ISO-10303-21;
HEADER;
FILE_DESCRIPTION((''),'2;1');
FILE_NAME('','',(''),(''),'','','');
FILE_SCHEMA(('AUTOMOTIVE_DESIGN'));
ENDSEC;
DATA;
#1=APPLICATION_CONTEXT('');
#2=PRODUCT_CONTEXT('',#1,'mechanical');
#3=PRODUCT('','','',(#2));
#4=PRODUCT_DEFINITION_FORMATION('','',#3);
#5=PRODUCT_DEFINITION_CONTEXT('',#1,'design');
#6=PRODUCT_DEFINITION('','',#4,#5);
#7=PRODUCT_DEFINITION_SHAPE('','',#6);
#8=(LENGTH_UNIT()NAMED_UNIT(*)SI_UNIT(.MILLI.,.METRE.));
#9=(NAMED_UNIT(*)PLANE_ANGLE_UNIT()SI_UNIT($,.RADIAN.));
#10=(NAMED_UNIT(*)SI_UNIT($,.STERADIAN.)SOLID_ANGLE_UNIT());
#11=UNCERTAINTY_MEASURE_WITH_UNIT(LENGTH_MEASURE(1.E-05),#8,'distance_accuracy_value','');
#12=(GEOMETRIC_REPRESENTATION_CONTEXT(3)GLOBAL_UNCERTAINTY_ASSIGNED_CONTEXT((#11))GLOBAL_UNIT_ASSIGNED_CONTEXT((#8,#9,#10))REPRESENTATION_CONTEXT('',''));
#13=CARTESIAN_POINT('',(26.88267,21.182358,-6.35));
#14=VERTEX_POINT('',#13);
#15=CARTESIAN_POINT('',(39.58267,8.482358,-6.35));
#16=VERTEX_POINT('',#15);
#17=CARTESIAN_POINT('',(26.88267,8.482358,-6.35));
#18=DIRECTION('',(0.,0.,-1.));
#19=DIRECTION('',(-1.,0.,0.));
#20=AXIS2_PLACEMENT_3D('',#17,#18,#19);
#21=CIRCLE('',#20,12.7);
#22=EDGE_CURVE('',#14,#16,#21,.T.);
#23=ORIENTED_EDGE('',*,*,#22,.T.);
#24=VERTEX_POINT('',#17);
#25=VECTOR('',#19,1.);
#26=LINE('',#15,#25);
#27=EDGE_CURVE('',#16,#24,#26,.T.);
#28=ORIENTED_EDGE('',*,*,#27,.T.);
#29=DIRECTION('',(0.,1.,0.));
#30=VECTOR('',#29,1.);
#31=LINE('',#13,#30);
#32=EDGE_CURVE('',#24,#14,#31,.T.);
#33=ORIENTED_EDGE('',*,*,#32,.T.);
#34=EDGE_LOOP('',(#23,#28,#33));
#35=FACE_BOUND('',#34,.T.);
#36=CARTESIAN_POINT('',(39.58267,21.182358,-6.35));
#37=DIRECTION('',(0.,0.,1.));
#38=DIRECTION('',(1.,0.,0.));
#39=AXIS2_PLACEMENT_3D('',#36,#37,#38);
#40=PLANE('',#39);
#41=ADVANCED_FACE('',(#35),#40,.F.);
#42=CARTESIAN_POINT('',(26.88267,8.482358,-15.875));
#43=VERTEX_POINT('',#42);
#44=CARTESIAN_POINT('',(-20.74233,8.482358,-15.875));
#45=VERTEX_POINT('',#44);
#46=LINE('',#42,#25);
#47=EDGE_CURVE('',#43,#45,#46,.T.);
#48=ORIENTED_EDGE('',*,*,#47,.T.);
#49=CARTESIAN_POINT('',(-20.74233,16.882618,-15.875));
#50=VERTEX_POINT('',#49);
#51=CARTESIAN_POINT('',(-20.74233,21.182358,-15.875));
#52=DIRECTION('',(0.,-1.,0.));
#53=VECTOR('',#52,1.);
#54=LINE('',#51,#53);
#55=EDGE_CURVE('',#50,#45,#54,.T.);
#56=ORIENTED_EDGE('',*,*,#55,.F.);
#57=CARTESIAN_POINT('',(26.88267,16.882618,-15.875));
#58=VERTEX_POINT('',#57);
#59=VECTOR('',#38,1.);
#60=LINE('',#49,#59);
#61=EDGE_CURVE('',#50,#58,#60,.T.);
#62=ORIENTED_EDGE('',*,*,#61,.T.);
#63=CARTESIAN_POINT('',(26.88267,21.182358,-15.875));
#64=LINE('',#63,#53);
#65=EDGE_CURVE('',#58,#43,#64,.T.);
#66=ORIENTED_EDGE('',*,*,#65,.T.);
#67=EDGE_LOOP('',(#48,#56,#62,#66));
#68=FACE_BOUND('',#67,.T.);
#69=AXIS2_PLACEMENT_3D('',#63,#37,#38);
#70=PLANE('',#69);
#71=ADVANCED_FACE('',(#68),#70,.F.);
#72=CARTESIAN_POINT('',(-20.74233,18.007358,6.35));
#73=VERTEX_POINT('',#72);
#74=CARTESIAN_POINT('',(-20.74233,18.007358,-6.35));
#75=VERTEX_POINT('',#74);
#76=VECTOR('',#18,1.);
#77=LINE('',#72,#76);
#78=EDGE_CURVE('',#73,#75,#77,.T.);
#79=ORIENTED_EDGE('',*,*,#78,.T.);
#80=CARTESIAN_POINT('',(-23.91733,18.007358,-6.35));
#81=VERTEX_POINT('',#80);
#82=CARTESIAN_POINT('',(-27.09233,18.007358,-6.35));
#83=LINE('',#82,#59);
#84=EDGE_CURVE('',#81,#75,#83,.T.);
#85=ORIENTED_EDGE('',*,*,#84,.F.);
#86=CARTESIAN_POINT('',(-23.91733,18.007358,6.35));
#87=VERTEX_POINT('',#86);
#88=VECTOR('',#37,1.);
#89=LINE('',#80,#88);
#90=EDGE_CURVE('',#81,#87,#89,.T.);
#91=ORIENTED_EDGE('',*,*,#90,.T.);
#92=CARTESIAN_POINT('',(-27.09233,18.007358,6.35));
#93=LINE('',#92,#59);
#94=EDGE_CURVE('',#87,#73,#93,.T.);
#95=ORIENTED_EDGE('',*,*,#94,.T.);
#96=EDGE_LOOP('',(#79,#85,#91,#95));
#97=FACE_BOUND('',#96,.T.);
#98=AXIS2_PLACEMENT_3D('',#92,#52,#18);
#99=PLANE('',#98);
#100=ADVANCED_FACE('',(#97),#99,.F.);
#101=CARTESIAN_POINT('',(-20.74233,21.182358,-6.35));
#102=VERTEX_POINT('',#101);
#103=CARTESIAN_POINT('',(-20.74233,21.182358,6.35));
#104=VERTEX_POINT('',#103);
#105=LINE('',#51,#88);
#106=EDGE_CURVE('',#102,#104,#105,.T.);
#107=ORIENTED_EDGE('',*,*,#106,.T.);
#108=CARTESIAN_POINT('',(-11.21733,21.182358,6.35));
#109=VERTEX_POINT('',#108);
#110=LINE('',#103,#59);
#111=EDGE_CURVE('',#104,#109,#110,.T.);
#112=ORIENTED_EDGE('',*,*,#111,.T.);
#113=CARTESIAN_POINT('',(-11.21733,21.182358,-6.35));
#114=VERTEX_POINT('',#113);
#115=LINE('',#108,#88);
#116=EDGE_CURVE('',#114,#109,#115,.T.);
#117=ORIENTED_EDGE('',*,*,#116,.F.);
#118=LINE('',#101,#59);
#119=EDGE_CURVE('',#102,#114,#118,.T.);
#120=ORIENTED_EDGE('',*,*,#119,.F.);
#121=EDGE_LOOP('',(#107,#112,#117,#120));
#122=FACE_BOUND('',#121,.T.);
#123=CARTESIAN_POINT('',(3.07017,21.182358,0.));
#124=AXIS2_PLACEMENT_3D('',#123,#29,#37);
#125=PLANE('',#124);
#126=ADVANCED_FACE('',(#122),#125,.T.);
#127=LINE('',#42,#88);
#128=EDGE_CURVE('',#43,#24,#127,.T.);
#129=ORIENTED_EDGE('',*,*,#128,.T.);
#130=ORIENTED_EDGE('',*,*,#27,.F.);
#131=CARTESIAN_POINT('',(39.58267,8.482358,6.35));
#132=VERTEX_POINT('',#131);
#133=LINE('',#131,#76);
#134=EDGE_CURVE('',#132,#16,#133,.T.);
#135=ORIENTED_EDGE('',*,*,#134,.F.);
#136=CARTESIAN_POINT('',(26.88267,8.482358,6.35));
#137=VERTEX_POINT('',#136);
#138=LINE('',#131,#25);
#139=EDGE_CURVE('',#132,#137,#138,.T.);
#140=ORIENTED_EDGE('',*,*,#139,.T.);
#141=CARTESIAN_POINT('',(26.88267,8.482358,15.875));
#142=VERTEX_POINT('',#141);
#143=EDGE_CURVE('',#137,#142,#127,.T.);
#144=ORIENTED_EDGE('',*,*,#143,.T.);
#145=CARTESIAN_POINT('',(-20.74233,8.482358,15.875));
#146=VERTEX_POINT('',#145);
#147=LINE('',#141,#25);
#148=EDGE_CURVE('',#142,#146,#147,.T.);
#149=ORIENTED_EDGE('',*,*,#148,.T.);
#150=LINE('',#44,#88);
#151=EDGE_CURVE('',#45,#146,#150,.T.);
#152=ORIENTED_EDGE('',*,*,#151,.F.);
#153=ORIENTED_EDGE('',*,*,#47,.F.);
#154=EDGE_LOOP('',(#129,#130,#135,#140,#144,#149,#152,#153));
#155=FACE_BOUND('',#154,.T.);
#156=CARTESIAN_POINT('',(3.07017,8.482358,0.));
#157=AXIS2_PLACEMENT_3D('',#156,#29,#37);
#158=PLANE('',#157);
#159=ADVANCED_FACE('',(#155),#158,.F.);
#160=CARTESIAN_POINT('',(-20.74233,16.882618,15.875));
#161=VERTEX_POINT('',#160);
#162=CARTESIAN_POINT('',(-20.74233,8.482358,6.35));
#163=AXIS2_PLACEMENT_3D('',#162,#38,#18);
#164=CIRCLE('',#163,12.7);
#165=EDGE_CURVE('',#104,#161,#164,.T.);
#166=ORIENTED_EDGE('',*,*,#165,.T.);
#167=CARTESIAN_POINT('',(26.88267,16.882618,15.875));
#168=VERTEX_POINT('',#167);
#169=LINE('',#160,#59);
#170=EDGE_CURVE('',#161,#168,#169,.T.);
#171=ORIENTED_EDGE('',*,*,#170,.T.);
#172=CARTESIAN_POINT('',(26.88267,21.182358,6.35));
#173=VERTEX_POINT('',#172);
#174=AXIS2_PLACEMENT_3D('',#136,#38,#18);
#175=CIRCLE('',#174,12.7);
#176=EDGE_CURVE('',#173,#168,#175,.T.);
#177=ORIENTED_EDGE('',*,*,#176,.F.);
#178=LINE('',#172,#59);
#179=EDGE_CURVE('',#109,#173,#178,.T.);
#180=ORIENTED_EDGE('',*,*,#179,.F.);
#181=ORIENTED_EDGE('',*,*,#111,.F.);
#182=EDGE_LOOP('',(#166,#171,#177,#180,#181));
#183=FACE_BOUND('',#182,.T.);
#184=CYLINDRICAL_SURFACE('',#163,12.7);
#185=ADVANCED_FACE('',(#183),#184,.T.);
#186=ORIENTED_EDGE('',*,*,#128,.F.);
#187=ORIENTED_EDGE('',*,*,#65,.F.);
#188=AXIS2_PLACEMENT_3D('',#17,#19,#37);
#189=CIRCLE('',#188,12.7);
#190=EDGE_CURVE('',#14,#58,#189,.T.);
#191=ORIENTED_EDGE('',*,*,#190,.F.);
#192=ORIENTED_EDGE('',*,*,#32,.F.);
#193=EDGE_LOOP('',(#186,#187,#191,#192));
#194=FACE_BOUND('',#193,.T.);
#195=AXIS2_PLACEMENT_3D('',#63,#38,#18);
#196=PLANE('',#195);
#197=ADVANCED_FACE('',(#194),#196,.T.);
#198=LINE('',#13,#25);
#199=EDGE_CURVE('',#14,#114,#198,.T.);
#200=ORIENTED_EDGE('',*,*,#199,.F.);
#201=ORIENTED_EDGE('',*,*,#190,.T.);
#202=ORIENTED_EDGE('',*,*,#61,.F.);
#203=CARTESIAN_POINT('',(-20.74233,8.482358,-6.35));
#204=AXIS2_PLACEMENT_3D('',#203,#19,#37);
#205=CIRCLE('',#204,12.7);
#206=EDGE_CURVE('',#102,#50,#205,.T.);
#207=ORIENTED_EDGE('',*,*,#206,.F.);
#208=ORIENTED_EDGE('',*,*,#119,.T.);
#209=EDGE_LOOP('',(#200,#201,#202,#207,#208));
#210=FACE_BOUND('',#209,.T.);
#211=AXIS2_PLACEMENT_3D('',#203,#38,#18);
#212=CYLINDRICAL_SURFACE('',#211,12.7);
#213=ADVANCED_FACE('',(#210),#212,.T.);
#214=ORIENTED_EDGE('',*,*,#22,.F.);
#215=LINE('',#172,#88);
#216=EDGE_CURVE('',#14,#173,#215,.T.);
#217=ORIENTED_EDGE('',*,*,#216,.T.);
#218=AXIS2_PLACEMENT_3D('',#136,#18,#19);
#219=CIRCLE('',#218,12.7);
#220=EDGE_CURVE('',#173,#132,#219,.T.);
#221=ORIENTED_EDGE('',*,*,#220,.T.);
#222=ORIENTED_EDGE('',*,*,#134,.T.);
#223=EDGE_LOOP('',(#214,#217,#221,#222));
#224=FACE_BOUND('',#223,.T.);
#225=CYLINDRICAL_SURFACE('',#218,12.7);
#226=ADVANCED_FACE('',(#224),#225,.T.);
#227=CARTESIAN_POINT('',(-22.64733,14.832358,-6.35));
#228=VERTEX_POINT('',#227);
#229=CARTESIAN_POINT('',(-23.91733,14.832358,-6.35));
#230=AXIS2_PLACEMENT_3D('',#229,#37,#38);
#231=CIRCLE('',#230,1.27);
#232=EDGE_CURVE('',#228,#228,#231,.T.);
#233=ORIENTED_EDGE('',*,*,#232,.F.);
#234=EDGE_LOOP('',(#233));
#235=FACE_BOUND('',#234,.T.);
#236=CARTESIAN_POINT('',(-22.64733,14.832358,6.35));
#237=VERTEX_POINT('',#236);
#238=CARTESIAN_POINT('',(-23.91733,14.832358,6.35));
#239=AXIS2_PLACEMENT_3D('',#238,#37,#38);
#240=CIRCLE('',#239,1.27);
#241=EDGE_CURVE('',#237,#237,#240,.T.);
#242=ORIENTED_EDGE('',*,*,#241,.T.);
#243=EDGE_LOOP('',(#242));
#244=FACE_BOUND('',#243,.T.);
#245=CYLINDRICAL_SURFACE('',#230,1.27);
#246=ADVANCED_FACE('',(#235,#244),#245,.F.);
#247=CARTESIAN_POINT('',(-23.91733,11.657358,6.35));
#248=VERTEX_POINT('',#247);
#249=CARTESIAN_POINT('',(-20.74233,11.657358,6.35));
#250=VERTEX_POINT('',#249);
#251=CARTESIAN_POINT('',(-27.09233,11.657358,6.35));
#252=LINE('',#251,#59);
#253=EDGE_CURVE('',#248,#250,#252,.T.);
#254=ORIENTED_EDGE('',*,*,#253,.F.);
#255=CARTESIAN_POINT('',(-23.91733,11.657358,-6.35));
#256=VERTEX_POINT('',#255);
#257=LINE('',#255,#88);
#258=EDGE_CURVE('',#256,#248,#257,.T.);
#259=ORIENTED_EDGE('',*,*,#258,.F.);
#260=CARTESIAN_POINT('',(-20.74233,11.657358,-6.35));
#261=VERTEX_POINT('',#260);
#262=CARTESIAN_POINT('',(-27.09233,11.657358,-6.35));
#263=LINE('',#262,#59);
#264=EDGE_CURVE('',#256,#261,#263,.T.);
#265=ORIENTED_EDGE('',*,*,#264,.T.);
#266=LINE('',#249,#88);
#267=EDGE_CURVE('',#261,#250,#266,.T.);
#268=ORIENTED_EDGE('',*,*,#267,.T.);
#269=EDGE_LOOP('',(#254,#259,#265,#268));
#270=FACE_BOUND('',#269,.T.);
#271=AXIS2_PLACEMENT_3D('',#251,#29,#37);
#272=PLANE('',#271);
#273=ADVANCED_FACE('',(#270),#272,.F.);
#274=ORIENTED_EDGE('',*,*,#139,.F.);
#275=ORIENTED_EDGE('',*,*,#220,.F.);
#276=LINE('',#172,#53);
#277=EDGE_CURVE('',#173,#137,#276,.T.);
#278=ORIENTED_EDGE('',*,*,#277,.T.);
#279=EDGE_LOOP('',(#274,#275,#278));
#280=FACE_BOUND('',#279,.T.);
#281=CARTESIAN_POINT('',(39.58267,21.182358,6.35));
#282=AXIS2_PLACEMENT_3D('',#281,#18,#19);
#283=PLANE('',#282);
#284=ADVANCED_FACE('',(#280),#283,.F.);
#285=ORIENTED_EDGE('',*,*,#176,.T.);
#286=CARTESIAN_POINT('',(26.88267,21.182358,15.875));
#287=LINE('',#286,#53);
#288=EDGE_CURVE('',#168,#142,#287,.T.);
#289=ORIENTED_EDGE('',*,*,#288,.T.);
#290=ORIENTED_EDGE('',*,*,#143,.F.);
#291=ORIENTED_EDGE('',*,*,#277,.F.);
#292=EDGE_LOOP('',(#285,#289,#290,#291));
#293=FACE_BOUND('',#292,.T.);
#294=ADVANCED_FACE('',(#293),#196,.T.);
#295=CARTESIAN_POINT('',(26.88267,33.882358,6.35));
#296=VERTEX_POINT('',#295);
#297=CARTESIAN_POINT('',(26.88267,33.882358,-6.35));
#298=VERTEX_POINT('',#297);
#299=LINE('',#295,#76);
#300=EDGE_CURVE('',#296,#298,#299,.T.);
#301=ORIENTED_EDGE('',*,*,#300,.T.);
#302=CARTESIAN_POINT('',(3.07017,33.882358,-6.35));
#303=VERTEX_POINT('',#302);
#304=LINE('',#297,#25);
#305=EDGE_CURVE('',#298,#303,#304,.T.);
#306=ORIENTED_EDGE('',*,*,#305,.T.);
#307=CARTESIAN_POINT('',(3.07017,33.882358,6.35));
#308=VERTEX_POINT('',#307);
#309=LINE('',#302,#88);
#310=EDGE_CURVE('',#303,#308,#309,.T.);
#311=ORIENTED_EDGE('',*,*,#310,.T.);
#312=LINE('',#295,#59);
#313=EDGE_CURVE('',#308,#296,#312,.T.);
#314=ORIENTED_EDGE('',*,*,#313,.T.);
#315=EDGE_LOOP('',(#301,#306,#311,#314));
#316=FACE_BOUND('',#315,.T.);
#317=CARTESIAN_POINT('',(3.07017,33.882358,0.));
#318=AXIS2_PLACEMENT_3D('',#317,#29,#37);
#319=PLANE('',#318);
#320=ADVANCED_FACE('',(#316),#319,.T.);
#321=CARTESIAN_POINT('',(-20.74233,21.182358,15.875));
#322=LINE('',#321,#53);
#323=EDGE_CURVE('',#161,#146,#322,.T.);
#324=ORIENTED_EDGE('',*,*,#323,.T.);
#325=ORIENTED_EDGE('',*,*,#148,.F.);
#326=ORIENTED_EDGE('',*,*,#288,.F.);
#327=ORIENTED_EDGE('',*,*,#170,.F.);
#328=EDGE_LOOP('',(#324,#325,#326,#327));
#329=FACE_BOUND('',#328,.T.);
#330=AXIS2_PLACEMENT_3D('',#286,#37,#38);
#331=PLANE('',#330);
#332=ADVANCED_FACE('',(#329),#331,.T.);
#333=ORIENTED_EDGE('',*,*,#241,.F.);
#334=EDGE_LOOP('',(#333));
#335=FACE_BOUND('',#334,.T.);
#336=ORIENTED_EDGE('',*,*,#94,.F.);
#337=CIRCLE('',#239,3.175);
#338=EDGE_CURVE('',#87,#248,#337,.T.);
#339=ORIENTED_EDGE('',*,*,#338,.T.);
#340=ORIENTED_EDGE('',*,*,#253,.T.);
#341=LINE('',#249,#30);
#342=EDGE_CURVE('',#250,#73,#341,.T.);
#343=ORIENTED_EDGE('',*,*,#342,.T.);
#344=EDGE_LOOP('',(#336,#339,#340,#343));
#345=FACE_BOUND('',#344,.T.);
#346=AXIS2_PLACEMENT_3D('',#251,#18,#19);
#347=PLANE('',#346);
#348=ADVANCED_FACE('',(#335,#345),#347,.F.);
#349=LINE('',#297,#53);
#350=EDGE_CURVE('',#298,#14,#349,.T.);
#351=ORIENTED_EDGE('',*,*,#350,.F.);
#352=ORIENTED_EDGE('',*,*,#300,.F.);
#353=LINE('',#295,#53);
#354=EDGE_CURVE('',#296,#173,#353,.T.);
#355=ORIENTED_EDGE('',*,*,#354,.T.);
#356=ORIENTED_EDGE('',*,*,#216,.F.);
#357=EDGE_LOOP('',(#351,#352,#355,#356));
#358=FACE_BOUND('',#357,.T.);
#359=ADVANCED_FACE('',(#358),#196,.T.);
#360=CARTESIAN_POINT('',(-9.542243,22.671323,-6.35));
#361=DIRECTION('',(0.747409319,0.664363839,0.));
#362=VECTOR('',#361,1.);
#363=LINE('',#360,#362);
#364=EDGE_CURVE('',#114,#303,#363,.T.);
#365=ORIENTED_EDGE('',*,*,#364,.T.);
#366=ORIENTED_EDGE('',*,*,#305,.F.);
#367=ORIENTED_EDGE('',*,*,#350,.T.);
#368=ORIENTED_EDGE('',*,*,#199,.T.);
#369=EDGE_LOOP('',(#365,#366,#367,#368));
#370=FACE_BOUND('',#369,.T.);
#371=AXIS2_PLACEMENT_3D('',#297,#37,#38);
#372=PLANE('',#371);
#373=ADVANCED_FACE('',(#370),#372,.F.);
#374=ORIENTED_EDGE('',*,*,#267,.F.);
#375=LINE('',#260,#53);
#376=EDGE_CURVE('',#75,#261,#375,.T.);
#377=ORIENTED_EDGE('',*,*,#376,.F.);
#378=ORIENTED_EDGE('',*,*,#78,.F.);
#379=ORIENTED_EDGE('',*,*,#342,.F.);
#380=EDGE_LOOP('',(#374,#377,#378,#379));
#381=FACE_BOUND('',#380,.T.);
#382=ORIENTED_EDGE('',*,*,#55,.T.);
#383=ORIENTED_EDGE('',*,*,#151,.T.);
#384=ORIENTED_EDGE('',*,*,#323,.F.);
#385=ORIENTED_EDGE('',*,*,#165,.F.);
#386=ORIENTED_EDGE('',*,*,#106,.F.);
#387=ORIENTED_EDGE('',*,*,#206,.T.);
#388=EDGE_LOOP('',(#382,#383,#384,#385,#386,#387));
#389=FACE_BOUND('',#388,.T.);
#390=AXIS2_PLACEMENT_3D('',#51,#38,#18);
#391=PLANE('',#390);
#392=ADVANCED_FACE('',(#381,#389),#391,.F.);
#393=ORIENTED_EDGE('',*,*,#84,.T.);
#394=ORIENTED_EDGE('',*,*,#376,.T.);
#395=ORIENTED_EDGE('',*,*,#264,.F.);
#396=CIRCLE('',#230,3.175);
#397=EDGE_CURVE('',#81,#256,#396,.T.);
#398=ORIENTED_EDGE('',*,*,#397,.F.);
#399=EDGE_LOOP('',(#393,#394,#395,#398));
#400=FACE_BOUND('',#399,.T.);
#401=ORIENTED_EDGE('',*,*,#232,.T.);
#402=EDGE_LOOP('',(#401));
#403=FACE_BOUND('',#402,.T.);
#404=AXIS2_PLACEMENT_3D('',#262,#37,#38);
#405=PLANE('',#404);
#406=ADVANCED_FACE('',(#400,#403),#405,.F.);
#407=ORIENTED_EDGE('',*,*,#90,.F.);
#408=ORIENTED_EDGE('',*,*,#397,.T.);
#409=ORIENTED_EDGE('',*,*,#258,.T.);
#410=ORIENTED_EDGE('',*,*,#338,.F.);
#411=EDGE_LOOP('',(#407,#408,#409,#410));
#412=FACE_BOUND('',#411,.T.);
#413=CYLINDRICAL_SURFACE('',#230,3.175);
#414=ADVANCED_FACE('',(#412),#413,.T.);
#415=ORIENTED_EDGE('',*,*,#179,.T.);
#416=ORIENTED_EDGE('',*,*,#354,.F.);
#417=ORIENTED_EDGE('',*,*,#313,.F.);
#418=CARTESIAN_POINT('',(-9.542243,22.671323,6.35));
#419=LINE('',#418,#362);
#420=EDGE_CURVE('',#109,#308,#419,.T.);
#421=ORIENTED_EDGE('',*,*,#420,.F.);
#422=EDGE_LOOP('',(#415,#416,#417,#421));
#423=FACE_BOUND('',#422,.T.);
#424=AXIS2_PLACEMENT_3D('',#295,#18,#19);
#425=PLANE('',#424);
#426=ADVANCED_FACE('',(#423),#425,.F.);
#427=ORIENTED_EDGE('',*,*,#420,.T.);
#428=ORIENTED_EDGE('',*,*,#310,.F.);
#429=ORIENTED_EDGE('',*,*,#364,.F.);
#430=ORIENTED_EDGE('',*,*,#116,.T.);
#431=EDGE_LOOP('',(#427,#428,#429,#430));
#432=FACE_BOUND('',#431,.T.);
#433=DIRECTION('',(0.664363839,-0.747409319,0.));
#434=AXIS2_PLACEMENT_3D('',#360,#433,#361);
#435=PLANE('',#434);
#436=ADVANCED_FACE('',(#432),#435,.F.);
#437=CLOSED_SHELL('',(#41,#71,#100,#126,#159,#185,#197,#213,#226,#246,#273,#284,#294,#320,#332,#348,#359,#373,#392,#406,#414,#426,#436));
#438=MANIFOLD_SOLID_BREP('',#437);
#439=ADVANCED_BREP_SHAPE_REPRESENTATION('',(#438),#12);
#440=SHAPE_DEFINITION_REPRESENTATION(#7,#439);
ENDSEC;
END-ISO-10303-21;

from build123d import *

# Parameters (mm, degrees)
SKETCH1_W           = 95.25
SKETCH1_H           = 63.5
BOSS_EXTRUDE1_DEPTH = 25.4
SKETCH2_W           = 76.2
SKETCH2_H           = 25.4
BOSS_EXTRUDE2_DEPTH = 25.4
CUT_EXTRUDE1_DEPTH  = 25.4
SKETCH4_W           = 25.4
SKETCH4_H           = 25.4
BOSS_EXTRUDE3_DEPTH = 25.4
CUT_EXTRUDE2_DEPTH  = 25.4
CUT_EXTRUDE3_DEPTH  = 95.25
SKETCH_1648_W       = 25.4
SKETCH_1648_H       = 12.7
BOSS_EXTRUDE4_DEPTH = 12.7
CUT_EXTRUDE4_DEPTH  = 25.4
SKETCH10_R          = 2.54
CUT_EXTRUDE5_DEPTH  = 25.4
SCALE1_SCALE        = 0.5


with BuildPart() as part:
    # Sketch1 → Boss-Extrude1 (new body)
    with BuildSketch(Plane(origin=(0, 0, 0), x_dir=(1, 0, 0), z_dir=(0, 1, 0))):
        Rectangle(SKETCH1_W, SKETCH1_H)
    extrude(amount=BOSS_EXTRUDE1_DEPTH)

    # Sketch2 → Boss-Extrude2 (add)
    with BuildSketch(Plane(origin=(0, 25.4, 0), x_dir=(1, 0, 0), z_dir=(0, 1, 0))):
        with Locations((9.525, 0)):
            Rectangle(SKETCH2_W, SKETCH2_H)
    extrude(amount=BOSS_EXTRUDE2_DEPTH)

    # Sketch3 → Cut-Extrude1 (cut)
    with BuildSketch(Plane.XY.offset(12.7)):
        Polygon((-28.575, 50.8), (-28.575, 25.4), (0, 50.8), align=None)
    extrude(amount=-CUT_EXTRUDE1_DEPTH, mode=Mode.SUBTRACT)

    # Sketch4 → Boss-Extrude3 (add)
    with BuildSketch(Plane(origin=(47.625, 0, 0), x_dir=(0, 0, -1), z_dir=(1, 0, 0))):
        with Locations((0, 12.7)):
            Rectangle(SKETCH4_W, SKETCH4_H)
    extrude(amount=BOSS_EXTRUDE3_DEPTH)

    # Sketch5 → Cut-Extrude2 (cut)
    with BuildSketch(Plane(origin=(0, 0, -12.7), x_dir=(-1, 0, 0), z_dir=(0, 0, -1))):
        with BuildLine():
            ThreePointArc((-47.625, 25.4), (-65.585512242, 17.960512242), (-73.025, 0))
            Line((-73.025, 0), (-73.025, 25.4))
            Line((-73.025, 25.4), (-47.625, 25.4))
        make_face()
    extrude(amount=-CUT_EXTRUDE2_DEPTH, mode=Mode.SUBTRACT)

    # Sketch7 → Cut-Extrude3 (cut)
    with BuildSketch(Plane(origin=(47.625, 0, 0), x_dir=(0, 0, -1), z_dir=(1, 0, 0))):
        with BuildLine():
            Line((-31.75, 16.800520825), (-31.75, 25.4))
            Line((-31.75, 25.4), (-12.7, 25.4))
            ThreePointArc((-12.7, 25.4), (-23.150520825, 23.150520825), (-31.75, 16.800520825))
        make_face()
        with BuildLine():
            Line((12.7, 25.4), (31.75, 25.4))
            Line((31.75, 25.4), (31.75, 16.800520825))
            ThreePointArc((31.75, 16.800520825), (23.150520825, 23.150520825), (12.7, 25.4))
        make_face()
    extrude(amount=-CUT_EXTRUDE3_DEPTH, mode=Mode.SUBTRACT)

    # Sketch 1648 → Boss-Extrude4 (add)
    with BuildSketch(Plane.ZY.offset(47.625)):
        with Locations((0, 12.7)):
            Rectangle(SKETCH_1648_W, SKETCH_1648_H)
    extrude(amount=BOSS_EXTRUDE4_DEPTH)

    # Sketch9 → Cut-Extrude4 (cut)
    with BuildSketch(Plane.XY.offset(12.7)):
        with BuildLine():
            ThreePointArc((-53.975, 6.35), (-58.465128061, 8.209871939), (-60.325, 12.7))
            Line((-60.325, 12.7), (-60.325, 6.35))
            Line((-60.325, 6.35), (-53.975, 6.35))
        make_face()
        with BuildLine():
            Line((-60.325, 19.05), (-60.325, 12.7))
            ThreePointArc((-60.325, 12.7), (-58.465128061, 17.190128061), (-53.975, 19.05))
            Line((-53.975, 19.05), (-60.325, 19.05))
        make_face()
    extrude(amount=-CUT_EXTRUDE4_DEPTH, mode=Mode.SUBTRACT)

    # Sketch10 → Cut-Extrude5 (cut)
    with BuildSketch(Plane.XY.offset(12.7)):
        with Locations((-53.975, 12.7)):
            Circle(SKETCH10_R)
    extrude(amount=-CUT_EXTRUDE5_DEPTH, mode=Mode.SUBTRACT)


with BuildPart() as part_1:
    # Scale1: scaled about (6.140340788, 16.964715806, 0)
    add(part.part.scale(SCALE1_SCALE).moved(Location((3.070170394, 8.482357903, 0))))


solid = part_1.part
